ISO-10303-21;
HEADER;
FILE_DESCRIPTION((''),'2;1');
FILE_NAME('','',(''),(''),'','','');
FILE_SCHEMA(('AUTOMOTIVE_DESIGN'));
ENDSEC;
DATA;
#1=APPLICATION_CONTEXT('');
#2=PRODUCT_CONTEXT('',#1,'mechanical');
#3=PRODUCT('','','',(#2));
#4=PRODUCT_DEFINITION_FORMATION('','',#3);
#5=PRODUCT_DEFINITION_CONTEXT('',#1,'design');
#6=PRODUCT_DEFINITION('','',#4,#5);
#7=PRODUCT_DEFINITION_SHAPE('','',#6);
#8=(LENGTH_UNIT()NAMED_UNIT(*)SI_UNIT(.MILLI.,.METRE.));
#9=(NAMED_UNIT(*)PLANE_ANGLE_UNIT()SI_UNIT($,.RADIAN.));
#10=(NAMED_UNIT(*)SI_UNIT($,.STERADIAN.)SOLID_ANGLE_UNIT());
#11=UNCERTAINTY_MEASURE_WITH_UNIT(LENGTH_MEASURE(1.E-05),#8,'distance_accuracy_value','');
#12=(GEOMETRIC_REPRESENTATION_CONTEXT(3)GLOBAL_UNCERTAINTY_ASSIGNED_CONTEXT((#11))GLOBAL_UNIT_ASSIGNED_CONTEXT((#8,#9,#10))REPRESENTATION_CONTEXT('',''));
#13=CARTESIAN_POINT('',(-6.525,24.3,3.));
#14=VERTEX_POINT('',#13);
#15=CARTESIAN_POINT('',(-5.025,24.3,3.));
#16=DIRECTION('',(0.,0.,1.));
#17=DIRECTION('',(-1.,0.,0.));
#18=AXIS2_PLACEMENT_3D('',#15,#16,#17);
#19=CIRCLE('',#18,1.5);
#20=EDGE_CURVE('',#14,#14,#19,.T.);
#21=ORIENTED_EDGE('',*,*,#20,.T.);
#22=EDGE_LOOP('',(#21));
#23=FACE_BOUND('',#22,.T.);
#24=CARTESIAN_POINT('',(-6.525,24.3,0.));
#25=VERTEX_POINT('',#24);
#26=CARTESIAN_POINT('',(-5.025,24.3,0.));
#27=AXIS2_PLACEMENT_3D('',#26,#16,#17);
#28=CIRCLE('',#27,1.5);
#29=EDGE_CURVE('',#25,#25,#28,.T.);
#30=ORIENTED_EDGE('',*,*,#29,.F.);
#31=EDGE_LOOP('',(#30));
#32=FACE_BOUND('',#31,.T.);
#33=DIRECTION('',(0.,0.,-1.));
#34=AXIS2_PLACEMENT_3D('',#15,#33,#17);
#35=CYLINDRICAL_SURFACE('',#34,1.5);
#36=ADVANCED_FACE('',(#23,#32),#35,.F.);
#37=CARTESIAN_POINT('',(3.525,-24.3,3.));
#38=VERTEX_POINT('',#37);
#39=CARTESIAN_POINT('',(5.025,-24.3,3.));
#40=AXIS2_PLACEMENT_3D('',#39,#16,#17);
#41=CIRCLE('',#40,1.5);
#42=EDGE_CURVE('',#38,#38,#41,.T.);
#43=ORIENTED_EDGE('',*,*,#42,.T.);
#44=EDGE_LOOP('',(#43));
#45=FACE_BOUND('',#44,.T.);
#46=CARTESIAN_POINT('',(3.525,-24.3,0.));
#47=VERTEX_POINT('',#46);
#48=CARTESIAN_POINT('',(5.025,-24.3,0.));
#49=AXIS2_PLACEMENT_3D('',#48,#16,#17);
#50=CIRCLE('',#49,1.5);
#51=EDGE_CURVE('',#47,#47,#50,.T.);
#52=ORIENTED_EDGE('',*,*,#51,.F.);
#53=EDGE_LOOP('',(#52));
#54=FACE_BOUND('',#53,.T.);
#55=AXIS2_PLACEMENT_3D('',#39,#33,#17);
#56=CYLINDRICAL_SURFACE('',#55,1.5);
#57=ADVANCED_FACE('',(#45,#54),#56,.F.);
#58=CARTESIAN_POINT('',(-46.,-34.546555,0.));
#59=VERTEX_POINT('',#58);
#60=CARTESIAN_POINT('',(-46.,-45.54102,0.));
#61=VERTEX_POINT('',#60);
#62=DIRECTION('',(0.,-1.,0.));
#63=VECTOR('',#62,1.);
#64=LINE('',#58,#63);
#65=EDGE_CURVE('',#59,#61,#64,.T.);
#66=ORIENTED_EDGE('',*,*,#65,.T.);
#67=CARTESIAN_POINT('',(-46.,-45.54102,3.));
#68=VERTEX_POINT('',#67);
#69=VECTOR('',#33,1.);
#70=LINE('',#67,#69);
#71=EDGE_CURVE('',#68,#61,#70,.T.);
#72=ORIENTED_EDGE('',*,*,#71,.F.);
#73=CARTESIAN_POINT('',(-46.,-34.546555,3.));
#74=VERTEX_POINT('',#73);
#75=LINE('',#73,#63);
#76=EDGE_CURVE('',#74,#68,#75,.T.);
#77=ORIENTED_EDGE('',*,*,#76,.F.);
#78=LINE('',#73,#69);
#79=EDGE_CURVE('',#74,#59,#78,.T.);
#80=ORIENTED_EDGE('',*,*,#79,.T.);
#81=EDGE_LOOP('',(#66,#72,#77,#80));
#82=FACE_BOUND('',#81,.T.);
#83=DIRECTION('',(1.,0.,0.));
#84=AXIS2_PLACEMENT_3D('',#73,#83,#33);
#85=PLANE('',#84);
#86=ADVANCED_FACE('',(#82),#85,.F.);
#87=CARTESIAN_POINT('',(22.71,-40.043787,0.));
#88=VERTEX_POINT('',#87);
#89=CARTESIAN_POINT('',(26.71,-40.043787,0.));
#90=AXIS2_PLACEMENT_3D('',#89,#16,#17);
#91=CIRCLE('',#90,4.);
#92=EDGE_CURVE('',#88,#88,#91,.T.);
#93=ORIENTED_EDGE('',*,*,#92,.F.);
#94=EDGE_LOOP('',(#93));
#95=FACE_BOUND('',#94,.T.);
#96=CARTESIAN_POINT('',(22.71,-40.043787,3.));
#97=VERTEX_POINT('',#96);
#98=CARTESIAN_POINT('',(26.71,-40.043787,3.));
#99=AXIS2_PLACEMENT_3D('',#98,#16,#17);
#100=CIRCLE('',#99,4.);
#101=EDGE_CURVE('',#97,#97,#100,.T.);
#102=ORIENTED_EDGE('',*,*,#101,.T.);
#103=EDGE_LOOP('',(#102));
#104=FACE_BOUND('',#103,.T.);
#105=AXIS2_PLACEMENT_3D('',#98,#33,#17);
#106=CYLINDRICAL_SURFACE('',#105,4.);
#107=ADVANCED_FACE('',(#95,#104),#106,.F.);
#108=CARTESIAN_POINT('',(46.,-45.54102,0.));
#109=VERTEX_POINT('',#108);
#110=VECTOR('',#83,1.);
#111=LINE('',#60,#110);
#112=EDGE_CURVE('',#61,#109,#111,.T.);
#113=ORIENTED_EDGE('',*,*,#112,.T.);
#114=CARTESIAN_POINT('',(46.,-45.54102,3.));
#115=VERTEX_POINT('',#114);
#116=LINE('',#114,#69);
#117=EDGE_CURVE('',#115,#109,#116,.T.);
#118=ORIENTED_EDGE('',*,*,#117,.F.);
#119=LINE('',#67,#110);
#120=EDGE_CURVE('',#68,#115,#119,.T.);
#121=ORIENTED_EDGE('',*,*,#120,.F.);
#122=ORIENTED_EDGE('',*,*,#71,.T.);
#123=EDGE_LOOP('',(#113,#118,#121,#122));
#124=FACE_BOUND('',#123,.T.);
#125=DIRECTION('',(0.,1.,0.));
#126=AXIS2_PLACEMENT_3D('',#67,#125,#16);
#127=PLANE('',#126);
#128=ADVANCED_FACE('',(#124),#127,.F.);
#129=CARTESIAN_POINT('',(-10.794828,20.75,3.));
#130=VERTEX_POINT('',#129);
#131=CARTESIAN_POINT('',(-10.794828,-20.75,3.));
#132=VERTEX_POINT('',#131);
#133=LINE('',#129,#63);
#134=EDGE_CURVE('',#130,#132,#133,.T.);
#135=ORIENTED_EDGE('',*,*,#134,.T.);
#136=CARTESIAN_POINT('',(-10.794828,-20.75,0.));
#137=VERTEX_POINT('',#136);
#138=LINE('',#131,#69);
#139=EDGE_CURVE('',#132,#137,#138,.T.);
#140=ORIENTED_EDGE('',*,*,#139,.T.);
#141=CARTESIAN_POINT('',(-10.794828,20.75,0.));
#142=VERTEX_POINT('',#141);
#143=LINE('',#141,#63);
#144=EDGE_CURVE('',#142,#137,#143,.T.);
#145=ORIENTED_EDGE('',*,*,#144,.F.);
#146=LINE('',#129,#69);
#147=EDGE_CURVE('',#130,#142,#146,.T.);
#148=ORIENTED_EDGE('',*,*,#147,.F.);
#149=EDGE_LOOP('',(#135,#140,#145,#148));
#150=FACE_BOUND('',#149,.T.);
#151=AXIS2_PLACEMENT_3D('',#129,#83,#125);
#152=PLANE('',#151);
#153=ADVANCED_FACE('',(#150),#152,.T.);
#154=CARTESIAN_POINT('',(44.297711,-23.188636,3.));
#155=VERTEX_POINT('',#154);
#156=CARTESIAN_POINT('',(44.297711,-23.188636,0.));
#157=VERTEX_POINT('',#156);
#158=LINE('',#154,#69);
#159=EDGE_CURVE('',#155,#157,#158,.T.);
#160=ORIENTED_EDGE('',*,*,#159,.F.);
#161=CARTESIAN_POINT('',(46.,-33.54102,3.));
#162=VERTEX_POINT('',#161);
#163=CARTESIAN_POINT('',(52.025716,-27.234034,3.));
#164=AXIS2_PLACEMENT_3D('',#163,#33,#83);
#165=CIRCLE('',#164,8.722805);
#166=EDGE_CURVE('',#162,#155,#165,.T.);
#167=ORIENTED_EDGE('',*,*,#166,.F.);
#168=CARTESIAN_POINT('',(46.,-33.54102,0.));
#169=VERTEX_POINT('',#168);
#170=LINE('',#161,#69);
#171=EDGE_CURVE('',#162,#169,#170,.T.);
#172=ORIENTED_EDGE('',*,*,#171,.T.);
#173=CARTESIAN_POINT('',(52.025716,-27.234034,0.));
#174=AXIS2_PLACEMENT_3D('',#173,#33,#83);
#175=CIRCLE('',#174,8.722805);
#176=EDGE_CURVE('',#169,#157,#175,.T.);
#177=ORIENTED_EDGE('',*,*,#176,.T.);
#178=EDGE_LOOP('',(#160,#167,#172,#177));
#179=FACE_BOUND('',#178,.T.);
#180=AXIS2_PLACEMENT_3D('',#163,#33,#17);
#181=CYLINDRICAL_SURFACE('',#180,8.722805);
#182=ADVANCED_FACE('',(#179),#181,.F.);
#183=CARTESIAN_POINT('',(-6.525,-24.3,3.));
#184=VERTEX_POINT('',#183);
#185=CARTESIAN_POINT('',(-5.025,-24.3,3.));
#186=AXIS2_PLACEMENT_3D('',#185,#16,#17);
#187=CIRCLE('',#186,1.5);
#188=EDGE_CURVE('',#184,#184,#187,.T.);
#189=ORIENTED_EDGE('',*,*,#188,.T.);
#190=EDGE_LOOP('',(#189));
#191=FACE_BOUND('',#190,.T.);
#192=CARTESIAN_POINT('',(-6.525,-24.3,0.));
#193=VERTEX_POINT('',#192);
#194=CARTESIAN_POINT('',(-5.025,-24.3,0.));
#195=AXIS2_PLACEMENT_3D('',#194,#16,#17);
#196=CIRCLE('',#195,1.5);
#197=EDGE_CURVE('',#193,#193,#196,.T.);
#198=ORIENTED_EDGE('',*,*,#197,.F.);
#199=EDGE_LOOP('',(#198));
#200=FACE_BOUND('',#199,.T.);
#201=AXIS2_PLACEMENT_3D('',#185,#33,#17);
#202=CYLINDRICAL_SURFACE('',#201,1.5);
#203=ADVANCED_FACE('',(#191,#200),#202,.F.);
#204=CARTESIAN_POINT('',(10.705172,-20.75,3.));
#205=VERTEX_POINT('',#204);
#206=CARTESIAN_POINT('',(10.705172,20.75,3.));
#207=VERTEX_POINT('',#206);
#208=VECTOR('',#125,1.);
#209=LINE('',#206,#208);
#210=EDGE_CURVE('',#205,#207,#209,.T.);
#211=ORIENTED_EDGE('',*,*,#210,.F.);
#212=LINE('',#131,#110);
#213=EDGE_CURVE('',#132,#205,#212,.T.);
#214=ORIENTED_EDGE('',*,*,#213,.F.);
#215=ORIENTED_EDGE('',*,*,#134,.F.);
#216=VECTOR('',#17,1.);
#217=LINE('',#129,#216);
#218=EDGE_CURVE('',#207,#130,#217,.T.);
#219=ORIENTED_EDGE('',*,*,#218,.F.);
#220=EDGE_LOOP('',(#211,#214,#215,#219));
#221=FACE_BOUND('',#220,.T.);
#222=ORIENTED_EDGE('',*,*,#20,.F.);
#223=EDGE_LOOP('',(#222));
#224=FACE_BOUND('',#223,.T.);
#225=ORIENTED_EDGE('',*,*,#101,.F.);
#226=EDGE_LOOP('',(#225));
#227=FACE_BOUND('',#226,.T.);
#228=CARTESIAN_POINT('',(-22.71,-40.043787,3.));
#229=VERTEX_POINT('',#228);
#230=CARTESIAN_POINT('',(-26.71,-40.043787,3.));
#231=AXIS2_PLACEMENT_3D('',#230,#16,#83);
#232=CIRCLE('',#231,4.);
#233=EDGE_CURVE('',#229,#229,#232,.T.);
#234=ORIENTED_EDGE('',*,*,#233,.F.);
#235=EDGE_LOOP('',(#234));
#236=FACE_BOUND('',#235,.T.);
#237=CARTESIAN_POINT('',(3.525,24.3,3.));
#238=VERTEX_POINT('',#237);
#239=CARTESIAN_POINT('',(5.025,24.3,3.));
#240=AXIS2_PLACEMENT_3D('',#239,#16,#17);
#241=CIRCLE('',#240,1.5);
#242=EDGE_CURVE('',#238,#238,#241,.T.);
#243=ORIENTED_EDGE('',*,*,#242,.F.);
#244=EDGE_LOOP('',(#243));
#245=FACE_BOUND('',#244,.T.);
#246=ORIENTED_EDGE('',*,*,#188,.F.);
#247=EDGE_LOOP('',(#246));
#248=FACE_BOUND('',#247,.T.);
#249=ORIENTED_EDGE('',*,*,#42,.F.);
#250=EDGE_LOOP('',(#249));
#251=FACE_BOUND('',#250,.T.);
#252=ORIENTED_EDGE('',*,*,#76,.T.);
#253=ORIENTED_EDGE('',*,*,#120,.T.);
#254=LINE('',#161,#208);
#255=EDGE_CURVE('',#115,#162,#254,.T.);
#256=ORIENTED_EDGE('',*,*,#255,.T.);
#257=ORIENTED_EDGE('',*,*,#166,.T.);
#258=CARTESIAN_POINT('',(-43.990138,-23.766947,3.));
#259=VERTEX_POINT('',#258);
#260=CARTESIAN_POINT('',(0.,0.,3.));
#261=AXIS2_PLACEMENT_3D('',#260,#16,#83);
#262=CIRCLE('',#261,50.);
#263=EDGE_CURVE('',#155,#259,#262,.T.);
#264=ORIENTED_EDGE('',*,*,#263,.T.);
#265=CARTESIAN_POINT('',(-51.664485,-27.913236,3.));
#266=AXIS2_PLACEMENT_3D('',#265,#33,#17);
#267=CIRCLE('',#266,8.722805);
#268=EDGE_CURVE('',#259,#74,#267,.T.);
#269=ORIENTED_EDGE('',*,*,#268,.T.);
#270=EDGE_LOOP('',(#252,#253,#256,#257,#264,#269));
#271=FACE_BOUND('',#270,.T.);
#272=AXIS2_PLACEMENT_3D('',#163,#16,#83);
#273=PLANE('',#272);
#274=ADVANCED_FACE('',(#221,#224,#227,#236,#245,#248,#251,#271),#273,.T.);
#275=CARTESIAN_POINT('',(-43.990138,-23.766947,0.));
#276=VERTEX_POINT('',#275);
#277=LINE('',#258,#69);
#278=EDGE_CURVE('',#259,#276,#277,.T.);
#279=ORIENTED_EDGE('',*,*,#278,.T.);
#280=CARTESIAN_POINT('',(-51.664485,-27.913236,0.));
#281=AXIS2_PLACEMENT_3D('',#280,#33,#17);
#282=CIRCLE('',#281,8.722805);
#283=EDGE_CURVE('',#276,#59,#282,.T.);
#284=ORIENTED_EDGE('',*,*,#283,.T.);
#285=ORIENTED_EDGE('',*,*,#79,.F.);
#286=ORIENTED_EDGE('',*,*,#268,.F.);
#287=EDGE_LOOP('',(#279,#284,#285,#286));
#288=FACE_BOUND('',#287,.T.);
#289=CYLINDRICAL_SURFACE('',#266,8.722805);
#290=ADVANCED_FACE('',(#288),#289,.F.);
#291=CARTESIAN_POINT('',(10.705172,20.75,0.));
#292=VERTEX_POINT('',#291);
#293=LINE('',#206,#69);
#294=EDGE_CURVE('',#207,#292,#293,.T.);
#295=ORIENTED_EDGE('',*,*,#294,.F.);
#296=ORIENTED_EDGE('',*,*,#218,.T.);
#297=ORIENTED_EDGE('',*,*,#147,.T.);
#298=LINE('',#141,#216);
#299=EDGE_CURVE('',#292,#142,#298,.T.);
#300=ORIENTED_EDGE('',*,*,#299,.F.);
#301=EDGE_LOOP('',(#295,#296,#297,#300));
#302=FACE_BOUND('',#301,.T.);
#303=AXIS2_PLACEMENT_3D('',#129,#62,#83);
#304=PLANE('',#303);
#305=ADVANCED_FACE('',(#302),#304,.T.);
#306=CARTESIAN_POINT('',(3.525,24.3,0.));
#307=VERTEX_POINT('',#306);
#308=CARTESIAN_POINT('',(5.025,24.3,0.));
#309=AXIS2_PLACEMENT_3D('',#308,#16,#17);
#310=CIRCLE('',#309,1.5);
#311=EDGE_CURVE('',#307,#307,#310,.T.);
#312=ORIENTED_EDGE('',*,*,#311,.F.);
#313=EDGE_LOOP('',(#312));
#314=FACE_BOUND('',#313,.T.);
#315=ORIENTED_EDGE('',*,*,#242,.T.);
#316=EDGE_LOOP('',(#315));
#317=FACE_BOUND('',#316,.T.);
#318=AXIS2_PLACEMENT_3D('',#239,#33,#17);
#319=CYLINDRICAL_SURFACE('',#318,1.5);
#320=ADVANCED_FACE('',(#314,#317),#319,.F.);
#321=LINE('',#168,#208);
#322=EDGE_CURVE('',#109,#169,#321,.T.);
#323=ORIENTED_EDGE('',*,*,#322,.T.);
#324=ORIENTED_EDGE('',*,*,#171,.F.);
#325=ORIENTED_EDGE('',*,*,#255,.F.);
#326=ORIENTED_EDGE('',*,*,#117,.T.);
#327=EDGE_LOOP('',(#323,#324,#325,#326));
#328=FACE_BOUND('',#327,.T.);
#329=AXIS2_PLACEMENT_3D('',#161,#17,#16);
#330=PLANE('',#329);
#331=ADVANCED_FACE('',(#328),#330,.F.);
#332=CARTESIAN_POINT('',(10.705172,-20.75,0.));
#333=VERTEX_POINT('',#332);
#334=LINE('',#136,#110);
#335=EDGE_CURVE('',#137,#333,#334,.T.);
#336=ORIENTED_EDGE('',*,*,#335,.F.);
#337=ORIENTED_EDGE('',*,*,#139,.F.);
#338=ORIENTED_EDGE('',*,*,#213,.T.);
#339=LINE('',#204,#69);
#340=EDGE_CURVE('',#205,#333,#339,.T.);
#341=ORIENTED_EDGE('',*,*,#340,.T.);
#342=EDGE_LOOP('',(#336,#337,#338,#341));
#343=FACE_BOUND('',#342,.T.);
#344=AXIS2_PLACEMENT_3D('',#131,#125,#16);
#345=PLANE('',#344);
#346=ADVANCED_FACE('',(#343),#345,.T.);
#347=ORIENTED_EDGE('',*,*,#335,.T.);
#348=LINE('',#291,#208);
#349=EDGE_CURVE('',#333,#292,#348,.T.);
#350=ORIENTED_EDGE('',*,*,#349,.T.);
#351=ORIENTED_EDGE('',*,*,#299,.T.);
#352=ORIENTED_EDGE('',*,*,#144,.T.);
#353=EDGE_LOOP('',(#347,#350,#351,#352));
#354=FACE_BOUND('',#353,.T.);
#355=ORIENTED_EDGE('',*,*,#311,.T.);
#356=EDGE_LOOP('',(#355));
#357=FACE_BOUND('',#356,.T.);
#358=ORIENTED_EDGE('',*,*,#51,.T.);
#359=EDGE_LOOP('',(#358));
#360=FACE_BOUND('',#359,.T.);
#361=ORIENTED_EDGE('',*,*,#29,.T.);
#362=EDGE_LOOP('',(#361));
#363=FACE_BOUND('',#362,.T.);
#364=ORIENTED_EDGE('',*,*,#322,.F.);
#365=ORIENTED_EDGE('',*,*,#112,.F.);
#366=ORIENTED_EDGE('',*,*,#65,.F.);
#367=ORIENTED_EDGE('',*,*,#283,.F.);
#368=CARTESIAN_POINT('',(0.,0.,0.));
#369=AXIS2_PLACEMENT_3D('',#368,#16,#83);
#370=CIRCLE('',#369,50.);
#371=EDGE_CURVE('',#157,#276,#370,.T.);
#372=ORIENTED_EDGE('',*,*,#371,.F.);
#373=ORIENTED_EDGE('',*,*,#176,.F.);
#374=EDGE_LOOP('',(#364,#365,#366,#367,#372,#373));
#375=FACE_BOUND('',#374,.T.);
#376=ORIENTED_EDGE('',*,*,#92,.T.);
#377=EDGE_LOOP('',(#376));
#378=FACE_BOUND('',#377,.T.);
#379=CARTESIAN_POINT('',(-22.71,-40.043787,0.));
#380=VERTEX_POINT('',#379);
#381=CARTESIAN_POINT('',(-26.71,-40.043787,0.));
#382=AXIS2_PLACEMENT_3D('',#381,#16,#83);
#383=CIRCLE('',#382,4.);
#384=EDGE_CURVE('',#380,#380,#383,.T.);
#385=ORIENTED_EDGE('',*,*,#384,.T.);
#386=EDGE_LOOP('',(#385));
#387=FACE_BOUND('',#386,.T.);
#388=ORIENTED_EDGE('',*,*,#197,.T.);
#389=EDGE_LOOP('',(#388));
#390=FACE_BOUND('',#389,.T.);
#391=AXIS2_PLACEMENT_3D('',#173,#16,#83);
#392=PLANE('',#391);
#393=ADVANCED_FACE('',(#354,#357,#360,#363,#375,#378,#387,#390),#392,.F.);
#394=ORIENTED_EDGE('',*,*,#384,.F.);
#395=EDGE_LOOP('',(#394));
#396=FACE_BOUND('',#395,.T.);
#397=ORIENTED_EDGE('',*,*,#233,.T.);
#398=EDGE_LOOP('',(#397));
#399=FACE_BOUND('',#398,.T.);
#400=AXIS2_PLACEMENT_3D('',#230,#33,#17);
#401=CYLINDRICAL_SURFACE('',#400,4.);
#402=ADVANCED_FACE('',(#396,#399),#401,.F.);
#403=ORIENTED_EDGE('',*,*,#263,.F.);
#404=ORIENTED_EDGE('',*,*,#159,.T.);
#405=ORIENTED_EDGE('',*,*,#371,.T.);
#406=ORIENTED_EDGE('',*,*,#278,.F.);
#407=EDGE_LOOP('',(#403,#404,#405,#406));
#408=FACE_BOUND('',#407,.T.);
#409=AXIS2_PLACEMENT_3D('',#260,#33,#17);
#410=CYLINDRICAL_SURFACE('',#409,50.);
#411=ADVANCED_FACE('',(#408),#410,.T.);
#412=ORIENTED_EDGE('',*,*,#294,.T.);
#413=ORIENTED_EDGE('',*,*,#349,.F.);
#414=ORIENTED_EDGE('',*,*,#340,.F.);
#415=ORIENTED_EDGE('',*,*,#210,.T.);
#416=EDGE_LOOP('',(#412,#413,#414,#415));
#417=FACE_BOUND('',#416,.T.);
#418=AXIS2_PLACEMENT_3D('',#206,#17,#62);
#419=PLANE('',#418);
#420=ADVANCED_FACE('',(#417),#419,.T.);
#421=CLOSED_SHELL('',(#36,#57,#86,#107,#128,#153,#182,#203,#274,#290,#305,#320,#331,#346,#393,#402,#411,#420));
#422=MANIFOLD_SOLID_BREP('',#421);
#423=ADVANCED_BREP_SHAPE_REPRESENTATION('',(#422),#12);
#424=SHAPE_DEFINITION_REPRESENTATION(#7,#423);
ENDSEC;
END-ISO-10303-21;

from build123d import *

# Parameters (mm, degrees)
SKETCH1_R           = 4
SKETCH1_R_2         = 1.5
SKETCH1_W           = 21.5
SKETCH1_H           = 41.5
BOSS_EXTRUDE1_DEPTH = 3


with BuildPart() as part:
    # Sketch1 → Boss-Extrude1 (new body)
    with BuildSketch(Plane.XY):
        with BuildLine():
            Line((-46, -34.546554859), (-46, -45.541019662))
            Line((-46, -45.541019662), (46, -45.541019662))
            Line((46, -45.541019662), (46, -33.541019662))
            ThreePointArc((46, -33.541019662), (43.418499553, -28.649357855), (44.29771076, -23.188635609))
            ThreePointArc((44.29771076, -23.188635609), (-0.32750764, 49.998927376), (-43.990137922, -23.766946914))
            ThreePointArc((-43.990137922, -23.766946914), (-43.089457574, -29.512052868), (-46, -34.546554859))
        make_face()
        with Locations((-26.71, -40.043787261)):
            Circle(SKETCH1_R, mode=Mode.SUBTRACT)
        with Locations((26.71, -40.043787261)):
            Circle(SKETCH1_R, mode=Mode.SUBTRACT)
        with Locations((5.025, -24.3)):
            Circle(SKETCH1_R_2, mode=Mode.SUBTRACT)
        with Locations((-5.025, -24.3)):
            Circle(SKETCH1_R_2, mode=Mode.SUBTRACT)
        with Locations((5.025, 24.3)):
            Circle(SKETCH1_R_2, mode=Mode.SUBTRACT)
        with Locations((-5.025, 24.3)):
            Circle(SKETCH1_R_2, mode=Mode.SUBTRACT)
        with Locations((-0.044828014, 0)):
            Rectangle(SKETCH1_W, SKETCH1_H, mode=Mode.SUBTRACT)
    extrude(amount=BOSS_EXTRUDE1_DEPTH)


solid = part.part
